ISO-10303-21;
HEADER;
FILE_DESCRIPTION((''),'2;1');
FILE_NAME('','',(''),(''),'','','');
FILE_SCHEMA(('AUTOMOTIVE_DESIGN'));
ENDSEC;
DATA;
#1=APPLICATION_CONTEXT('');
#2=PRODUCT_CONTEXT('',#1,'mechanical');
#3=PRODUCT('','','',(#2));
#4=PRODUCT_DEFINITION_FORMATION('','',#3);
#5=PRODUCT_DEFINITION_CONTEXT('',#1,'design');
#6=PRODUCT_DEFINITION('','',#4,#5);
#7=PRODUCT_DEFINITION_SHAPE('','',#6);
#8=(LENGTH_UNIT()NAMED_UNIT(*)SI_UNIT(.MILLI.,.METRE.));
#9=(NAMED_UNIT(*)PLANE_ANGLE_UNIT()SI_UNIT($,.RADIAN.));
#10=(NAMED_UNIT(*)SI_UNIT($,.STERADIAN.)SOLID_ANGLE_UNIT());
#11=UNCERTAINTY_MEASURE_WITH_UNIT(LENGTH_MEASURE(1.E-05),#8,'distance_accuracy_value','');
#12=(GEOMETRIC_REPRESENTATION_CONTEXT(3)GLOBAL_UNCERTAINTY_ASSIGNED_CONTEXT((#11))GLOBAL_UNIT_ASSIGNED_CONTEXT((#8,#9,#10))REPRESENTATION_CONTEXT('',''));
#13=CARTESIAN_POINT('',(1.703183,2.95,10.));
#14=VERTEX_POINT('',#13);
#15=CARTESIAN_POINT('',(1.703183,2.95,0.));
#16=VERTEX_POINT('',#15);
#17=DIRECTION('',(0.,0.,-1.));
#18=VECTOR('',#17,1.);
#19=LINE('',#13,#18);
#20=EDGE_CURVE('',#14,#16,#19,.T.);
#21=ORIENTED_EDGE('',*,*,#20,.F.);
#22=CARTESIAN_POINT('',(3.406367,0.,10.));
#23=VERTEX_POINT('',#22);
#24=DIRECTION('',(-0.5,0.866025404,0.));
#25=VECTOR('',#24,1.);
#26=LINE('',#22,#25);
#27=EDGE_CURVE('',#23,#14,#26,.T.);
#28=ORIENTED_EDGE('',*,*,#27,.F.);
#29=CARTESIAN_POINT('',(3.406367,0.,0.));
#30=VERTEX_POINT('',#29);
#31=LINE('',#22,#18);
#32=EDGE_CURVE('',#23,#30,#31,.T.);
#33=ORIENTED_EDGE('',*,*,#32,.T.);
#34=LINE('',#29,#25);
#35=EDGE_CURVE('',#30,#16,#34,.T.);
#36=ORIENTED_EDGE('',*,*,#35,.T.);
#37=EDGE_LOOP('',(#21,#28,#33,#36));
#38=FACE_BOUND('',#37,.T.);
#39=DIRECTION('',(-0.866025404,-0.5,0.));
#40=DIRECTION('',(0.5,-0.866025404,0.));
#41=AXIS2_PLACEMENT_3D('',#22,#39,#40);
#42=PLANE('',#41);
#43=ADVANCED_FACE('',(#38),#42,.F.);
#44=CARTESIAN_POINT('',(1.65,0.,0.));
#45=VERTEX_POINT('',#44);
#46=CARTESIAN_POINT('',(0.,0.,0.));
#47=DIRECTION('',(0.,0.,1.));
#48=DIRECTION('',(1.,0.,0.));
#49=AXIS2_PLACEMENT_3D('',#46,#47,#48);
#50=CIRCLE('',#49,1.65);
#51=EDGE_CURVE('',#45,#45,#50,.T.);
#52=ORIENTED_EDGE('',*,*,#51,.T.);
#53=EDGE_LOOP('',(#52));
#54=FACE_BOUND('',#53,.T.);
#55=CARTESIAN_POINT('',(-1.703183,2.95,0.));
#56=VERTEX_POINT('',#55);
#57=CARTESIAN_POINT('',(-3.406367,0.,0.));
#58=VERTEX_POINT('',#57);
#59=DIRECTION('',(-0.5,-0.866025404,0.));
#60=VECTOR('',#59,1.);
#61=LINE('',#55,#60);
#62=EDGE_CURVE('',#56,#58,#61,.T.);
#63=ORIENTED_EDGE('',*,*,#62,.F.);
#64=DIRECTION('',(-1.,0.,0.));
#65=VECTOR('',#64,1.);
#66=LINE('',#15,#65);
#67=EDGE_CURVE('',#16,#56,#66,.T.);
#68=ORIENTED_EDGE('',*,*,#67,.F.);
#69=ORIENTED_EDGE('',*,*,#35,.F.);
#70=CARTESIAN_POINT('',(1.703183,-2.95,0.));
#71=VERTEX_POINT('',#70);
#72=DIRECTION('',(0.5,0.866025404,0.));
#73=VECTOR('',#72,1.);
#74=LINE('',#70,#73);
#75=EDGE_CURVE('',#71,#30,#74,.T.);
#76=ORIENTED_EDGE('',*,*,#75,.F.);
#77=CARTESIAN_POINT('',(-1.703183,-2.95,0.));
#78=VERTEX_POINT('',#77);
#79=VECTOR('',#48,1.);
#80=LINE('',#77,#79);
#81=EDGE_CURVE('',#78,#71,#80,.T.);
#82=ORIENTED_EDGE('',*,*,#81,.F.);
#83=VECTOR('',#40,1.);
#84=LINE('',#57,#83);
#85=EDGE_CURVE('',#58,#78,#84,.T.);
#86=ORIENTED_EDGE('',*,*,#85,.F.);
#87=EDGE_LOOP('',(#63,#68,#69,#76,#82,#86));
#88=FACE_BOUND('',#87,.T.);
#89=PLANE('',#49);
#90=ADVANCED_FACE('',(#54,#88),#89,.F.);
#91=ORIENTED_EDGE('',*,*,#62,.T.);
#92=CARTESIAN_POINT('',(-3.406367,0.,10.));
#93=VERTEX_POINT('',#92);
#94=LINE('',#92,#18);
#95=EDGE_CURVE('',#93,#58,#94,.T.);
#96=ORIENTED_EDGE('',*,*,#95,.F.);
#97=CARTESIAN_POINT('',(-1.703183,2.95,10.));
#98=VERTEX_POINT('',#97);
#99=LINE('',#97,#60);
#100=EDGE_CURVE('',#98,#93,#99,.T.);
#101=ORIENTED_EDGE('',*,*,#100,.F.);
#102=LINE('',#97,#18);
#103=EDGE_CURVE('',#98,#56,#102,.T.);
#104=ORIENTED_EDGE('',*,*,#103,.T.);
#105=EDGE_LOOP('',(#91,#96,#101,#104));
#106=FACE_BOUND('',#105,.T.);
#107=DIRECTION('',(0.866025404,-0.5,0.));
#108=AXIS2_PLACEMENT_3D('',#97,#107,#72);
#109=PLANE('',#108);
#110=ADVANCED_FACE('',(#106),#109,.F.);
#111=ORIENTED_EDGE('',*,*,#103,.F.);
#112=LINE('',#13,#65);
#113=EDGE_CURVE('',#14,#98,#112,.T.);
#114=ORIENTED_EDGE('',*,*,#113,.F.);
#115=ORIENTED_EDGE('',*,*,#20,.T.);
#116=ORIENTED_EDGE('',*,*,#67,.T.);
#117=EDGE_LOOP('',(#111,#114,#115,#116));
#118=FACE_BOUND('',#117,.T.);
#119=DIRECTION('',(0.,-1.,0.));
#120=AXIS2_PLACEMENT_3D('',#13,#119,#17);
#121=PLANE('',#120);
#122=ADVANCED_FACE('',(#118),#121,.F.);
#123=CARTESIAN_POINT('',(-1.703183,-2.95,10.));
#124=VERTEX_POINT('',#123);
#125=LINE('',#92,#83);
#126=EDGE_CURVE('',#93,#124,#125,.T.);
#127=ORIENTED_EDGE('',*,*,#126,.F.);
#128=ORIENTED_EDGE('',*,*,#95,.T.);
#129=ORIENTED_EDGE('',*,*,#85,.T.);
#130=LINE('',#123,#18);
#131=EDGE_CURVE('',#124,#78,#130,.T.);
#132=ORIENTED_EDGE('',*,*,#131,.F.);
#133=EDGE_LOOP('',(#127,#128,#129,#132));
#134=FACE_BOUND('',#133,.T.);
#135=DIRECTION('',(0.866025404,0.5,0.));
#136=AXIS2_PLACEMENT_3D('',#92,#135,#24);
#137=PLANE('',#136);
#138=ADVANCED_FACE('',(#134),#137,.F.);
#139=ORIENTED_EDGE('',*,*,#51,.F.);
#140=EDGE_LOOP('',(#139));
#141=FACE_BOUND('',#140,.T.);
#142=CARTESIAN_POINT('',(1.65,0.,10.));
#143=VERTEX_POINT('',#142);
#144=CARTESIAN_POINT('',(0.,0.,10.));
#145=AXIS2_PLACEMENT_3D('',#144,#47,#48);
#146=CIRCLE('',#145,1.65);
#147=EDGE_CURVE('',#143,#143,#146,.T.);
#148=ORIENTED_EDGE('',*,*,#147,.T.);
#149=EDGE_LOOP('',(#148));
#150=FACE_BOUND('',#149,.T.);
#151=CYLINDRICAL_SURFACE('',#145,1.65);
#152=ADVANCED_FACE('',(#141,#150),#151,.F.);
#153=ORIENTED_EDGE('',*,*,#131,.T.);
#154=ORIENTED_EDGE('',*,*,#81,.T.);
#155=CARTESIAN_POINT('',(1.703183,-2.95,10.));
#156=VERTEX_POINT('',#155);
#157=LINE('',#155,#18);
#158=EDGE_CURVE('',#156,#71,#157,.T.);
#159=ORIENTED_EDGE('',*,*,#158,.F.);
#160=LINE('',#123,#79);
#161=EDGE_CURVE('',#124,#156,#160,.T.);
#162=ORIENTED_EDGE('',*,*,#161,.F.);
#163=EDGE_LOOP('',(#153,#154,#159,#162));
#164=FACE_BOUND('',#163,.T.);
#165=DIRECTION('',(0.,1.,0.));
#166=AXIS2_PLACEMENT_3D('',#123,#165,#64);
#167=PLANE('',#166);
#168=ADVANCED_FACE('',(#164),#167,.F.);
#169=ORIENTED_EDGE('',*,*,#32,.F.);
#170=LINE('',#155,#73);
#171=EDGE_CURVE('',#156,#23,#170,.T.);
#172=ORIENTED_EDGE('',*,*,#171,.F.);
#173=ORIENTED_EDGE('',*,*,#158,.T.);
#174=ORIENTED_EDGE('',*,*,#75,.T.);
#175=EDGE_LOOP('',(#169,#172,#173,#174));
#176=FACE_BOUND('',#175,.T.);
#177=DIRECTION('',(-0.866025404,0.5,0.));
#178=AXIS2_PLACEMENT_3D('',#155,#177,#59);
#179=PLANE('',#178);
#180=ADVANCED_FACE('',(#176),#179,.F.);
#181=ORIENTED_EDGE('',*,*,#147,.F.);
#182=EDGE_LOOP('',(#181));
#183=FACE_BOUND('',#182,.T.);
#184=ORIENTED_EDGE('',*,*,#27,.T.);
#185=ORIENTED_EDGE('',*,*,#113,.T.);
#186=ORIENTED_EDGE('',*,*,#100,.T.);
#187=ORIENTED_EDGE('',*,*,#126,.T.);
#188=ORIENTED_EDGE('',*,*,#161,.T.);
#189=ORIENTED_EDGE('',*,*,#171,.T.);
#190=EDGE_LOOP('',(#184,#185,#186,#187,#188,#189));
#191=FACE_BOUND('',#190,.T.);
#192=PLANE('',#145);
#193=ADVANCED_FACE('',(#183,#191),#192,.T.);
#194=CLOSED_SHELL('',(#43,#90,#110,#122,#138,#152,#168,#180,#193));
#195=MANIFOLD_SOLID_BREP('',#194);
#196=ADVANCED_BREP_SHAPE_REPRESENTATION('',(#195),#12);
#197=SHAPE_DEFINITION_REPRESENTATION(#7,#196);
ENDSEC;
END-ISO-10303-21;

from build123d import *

# Parameters (mm, degrees)
EXTRUDE_1_DEPTH    = 10
HOLE_WIZARD_M4_1_D = 3.3


with BuildPart() as part:
    # 草图1 → 凸台-拉伸1 (new body)
    with BuildSketch(Plane.XY):
        Polygon((1.703183294, 2.95), (-1.703183294, 2.95), (-3.406366588, 0), (-1.703183294, -2.95), (1.703183294, -2.95), (3.406366588, 0), align=None)
    extrude(amount=EXTRUDE_1_DEPTH)

    # M4 螺纹孔1 (through all)
    with Locations(Plane.XY.offset(10)):
        with Locations((0, 0)):
            Hole(HOLE_WIZARD_M4_1_D / 2)


solid = part.part
